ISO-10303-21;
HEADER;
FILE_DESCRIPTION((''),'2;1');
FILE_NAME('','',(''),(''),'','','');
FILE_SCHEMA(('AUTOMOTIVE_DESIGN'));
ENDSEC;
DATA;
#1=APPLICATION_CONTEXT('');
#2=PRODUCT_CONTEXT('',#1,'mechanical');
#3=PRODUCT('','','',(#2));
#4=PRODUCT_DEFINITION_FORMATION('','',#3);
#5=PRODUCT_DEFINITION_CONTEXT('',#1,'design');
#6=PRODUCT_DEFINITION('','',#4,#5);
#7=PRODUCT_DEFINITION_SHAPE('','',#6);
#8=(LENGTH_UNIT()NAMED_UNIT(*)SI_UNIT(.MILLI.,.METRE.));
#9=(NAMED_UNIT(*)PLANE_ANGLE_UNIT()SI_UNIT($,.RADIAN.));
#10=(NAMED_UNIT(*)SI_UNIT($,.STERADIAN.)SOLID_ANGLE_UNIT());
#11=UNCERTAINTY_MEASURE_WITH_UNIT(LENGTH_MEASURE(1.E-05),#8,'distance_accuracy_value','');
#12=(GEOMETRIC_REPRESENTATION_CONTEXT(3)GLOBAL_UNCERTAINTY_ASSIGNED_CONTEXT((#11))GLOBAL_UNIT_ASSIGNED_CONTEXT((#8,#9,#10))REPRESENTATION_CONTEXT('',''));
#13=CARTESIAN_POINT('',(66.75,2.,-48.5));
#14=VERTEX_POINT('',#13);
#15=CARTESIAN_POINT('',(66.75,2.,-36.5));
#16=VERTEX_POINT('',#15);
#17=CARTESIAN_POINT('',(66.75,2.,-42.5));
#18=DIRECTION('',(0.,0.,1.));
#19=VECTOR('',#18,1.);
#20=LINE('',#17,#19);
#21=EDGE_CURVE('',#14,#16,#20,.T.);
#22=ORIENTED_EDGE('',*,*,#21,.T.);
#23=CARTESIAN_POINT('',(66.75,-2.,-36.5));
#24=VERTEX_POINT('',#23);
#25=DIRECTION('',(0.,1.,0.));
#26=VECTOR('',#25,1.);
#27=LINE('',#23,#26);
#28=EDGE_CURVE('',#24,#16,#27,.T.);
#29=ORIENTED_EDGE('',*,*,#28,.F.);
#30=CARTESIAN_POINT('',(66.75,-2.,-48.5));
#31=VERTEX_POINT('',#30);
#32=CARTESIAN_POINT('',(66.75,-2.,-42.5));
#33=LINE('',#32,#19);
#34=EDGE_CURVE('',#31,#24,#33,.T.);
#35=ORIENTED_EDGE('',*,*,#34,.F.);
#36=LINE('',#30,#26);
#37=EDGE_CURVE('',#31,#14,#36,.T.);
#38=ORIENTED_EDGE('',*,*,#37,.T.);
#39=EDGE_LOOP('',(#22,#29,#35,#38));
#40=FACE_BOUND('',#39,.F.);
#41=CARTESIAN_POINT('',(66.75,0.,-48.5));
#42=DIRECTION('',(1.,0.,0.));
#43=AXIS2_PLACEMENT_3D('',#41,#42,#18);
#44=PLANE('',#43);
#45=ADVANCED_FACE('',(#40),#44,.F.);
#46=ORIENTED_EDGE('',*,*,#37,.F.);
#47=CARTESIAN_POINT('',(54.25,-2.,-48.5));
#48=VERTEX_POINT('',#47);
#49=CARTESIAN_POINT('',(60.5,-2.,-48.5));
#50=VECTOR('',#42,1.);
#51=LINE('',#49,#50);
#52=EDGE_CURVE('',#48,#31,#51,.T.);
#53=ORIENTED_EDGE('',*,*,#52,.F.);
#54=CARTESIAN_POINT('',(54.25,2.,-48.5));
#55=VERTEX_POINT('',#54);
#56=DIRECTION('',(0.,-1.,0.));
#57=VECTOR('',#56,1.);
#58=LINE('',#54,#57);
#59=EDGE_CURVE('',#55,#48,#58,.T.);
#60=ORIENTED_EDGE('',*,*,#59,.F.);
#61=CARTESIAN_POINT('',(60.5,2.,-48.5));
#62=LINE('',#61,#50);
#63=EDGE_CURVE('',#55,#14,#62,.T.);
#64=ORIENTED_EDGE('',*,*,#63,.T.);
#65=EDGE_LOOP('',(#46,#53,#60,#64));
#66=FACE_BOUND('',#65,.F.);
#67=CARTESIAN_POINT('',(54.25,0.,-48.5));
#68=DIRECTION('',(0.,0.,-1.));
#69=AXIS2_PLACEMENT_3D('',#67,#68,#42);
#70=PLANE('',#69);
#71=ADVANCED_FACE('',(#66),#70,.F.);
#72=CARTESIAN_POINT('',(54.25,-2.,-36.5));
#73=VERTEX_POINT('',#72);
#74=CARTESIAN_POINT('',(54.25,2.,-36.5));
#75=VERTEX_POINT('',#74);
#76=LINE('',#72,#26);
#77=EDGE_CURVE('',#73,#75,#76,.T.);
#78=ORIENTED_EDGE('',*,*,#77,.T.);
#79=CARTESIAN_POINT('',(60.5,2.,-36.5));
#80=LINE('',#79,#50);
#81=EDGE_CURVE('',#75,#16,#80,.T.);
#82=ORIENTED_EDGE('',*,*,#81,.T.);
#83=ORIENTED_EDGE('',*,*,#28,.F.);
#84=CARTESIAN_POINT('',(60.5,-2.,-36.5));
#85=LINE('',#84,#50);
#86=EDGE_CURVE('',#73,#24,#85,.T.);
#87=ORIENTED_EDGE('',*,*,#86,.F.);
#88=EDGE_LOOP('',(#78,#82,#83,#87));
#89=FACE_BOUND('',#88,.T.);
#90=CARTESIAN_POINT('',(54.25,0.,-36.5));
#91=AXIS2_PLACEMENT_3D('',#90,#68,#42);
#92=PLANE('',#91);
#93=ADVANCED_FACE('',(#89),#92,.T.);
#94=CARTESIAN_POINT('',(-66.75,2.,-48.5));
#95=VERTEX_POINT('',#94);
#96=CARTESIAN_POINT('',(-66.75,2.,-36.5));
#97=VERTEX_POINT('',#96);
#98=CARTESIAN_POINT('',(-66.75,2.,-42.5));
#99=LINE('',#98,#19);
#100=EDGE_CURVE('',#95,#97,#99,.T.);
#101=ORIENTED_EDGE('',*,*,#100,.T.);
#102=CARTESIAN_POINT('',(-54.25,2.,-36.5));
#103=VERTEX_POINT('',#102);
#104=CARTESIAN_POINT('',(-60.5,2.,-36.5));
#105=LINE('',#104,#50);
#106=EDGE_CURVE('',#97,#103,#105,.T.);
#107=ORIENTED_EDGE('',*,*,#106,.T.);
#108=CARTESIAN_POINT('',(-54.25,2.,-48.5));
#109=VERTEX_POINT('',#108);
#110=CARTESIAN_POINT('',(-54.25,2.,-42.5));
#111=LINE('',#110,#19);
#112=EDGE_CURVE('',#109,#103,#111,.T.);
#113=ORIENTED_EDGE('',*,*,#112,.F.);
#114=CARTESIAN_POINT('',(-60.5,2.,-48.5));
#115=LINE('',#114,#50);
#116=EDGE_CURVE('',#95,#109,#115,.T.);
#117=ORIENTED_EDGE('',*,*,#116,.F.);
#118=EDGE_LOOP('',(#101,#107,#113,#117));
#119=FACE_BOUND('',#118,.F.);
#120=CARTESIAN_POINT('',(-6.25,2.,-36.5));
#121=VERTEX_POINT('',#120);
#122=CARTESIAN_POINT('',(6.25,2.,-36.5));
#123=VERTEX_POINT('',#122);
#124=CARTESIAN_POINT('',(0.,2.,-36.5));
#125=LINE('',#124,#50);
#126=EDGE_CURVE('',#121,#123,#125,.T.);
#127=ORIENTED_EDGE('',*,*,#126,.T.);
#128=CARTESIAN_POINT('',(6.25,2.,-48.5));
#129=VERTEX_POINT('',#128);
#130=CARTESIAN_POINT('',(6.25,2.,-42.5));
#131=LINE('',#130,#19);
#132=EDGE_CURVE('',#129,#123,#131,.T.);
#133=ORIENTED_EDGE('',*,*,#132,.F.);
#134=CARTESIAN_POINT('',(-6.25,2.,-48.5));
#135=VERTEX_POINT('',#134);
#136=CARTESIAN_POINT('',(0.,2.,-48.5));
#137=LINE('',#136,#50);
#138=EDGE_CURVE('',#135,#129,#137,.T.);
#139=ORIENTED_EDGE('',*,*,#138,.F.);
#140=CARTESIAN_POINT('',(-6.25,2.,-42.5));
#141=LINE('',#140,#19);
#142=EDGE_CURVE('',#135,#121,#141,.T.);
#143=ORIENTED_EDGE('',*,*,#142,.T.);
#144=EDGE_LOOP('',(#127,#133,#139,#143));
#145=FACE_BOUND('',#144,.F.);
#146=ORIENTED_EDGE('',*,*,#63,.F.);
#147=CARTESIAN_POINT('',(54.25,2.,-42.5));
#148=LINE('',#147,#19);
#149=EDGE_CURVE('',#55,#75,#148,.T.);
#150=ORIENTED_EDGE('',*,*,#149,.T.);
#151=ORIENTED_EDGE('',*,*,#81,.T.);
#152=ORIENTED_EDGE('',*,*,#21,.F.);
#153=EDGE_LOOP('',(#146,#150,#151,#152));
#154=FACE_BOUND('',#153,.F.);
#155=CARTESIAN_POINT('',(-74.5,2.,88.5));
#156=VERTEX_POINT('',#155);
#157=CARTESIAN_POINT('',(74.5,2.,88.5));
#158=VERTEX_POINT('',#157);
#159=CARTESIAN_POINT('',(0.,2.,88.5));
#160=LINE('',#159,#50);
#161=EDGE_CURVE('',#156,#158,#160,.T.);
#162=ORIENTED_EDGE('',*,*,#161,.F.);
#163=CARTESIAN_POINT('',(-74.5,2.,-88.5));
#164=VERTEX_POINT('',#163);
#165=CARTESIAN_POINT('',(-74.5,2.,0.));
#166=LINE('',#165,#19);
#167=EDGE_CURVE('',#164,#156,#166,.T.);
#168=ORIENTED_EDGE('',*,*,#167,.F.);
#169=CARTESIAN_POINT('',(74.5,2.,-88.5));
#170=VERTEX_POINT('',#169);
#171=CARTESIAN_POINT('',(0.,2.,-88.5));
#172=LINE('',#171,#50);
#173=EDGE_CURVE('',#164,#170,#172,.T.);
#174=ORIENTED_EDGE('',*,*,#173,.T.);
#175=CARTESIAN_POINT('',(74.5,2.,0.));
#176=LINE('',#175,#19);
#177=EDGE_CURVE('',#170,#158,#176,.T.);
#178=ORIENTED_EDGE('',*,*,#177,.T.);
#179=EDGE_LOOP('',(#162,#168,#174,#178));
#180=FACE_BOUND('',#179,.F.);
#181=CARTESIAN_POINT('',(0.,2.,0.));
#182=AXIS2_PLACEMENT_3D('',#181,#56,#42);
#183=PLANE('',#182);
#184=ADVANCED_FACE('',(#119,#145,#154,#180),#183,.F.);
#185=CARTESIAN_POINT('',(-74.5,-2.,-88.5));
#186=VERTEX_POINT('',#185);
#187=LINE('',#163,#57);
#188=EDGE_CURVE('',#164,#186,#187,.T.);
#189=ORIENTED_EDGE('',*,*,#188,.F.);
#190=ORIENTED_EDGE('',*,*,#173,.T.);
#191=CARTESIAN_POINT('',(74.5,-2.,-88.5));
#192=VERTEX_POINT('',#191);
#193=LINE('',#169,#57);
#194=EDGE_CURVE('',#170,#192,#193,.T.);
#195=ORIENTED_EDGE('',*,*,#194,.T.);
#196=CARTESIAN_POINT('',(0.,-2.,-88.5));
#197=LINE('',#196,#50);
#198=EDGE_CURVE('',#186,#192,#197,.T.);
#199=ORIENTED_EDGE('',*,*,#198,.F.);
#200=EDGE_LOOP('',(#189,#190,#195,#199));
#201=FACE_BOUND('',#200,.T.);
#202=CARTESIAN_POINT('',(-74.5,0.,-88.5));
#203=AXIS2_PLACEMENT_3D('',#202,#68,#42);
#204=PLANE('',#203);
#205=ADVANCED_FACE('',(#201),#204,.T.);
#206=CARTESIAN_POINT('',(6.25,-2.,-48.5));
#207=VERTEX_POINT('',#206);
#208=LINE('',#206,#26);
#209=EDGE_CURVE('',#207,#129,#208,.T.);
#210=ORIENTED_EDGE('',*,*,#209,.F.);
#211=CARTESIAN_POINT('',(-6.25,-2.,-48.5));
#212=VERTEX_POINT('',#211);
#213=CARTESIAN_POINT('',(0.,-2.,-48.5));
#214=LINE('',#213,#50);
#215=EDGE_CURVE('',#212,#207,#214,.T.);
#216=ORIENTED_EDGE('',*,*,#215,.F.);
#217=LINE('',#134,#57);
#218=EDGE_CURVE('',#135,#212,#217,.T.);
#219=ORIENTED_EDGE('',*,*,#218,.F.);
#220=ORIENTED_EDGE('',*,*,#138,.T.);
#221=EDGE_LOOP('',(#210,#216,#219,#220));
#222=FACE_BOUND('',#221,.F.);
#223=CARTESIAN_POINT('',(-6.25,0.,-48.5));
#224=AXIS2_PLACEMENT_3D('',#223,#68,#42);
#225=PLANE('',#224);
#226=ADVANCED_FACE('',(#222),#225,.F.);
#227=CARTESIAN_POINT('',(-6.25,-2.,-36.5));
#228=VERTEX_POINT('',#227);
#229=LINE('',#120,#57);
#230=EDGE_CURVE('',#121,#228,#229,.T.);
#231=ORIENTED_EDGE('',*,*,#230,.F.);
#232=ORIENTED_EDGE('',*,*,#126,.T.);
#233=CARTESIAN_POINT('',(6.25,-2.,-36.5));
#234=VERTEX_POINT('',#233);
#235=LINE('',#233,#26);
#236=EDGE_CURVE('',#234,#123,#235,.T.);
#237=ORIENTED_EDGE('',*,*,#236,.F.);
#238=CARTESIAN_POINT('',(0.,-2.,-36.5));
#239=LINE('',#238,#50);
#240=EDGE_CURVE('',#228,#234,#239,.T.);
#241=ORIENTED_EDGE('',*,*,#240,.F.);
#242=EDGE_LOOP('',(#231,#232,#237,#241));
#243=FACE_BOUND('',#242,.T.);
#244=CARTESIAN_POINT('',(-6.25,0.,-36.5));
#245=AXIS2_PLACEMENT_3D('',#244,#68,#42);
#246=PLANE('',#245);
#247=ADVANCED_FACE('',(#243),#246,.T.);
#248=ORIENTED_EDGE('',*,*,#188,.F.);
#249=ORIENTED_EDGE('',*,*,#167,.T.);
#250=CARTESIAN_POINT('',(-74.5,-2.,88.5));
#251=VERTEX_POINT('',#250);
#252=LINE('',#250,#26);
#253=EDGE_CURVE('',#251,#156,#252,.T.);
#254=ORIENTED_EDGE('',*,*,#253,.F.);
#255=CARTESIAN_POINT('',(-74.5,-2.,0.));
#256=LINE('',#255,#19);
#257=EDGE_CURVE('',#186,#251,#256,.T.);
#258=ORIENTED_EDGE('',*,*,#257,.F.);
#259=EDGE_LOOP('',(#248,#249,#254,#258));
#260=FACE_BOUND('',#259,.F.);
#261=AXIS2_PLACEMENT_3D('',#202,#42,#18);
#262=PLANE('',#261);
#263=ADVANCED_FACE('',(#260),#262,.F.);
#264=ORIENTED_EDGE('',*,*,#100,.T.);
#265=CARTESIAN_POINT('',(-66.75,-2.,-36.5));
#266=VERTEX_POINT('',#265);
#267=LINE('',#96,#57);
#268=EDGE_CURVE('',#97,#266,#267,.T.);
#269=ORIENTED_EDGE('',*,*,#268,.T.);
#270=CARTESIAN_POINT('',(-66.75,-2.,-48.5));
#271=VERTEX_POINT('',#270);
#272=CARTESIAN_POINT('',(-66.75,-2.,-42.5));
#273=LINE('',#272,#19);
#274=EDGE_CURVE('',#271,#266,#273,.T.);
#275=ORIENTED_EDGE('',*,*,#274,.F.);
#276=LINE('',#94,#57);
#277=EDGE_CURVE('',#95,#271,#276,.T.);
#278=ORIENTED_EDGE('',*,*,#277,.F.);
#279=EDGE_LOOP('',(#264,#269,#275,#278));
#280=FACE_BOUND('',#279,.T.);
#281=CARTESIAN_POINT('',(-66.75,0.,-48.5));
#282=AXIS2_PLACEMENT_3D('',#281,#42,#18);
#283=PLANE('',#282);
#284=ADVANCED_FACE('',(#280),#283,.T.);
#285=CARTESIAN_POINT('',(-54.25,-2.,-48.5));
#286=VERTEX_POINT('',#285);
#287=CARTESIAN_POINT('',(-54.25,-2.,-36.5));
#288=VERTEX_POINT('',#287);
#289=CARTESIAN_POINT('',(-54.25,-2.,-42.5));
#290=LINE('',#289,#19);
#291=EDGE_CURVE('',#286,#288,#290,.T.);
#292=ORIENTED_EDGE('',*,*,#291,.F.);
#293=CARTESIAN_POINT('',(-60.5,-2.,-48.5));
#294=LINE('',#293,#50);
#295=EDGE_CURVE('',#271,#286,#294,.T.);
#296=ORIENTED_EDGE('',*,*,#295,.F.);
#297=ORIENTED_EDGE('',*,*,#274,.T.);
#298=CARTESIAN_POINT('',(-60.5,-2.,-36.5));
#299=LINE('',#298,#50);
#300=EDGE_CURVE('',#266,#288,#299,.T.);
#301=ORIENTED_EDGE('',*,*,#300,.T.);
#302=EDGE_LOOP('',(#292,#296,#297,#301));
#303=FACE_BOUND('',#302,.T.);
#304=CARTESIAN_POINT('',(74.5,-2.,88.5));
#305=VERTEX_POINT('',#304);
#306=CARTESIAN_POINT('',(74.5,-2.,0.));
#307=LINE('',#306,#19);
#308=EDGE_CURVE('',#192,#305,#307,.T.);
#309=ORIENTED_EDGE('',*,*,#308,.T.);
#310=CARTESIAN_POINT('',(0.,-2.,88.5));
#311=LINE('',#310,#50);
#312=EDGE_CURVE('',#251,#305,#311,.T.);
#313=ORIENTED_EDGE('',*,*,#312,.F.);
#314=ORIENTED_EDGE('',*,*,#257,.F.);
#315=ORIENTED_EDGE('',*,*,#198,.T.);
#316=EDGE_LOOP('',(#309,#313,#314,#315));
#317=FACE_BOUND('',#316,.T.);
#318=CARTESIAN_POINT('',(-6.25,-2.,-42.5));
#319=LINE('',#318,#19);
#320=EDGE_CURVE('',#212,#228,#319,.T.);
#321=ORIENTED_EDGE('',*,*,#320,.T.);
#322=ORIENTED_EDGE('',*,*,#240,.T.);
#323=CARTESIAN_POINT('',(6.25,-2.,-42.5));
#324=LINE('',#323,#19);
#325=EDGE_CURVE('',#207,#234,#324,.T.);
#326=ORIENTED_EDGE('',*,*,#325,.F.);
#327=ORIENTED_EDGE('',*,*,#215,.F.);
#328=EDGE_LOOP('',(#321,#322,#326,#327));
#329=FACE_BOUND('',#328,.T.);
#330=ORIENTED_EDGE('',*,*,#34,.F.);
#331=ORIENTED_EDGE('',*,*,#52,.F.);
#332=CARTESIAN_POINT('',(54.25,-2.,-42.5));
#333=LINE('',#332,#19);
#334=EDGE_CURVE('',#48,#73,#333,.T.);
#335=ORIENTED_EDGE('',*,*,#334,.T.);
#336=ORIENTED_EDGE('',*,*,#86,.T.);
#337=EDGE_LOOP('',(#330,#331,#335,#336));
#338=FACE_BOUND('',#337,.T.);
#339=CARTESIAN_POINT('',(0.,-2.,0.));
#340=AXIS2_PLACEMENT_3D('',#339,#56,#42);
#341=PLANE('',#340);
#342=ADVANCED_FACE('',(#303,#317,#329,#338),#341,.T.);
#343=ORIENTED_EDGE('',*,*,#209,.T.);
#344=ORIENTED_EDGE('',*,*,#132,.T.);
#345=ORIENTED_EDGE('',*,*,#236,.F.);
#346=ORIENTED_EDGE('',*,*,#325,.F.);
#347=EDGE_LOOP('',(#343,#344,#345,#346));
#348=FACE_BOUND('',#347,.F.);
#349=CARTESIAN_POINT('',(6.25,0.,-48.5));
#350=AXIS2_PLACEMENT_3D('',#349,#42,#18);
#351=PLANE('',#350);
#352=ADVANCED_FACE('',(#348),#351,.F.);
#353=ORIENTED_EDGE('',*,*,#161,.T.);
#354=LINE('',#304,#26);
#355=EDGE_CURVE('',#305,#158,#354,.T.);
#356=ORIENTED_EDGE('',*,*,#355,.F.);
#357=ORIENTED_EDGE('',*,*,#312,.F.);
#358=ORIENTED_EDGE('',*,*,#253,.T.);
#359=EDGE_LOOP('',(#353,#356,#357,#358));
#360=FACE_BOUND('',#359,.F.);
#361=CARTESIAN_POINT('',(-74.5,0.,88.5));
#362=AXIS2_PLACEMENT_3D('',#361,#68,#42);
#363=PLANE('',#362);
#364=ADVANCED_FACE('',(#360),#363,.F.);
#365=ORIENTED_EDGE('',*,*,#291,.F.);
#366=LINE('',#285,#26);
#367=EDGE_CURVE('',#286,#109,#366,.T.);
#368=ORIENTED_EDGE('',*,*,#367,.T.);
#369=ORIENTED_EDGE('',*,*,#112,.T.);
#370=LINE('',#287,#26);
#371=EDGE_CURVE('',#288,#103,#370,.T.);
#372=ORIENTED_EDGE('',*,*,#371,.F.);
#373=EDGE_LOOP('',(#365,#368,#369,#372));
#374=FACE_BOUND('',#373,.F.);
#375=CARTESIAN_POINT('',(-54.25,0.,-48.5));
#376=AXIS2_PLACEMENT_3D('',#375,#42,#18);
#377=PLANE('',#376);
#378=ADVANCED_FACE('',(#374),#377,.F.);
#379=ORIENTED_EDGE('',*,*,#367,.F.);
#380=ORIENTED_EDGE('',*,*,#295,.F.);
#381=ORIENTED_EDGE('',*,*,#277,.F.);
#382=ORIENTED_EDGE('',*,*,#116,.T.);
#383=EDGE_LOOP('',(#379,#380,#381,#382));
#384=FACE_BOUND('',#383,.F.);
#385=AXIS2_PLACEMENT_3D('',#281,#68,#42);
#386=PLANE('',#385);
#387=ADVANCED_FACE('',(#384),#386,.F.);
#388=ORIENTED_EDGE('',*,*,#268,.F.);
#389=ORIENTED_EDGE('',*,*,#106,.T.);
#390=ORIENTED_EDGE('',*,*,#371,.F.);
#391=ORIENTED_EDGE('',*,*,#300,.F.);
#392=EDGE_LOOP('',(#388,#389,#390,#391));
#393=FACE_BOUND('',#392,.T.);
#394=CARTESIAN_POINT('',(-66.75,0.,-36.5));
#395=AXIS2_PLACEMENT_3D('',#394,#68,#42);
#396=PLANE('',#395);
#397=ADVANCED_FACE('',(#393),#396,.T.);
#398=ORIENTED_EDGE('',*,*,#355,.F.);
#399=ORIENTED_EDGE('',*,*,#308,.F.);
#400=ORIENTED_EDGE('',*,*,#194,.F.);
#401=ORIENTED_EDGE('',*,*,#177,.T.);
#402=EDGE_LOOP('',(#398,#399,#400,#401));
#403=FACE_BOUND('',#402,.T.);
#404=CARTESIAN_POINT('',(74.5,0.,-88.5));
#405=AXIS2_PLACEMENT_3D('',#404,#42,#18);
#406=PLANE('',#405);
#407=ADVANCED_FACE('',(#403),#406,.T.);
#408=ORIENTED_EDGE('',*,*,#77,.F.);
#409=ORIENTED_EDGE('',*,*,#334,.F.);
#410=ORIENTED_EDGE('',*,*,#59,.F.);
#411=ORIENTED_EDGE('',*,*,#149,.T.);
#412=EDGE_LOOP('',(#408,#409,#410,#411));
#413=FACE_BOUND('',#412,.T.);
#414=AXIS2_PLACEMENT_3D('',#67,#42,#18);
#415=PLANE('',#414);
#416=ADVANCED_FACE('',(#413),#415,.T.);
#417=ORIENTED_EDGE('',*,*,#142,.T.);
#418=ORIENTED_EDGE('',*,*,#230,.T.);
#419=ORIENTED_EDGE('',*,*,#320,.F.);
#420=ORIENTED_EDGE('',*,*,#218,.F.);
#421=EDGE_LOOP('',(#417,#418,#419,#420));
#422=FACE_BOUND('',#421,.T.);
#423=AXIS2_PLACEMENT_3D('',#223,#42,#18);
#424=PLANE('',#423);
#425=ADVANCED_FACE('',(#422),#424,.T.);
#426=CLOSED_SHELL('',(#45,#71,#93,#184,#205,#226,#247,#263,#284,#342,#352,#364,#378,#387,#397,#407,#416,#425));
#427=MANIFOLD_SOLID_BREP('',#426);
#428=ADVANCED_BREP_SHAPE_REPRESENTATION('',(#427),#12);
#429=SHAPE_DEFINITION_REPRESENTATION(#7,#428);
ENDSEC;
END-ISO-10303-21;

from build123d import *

# Parameters (mm, degrees)
F0_W          = 149
F0_H          = 177
F0_W_2        = 12.5
F0_H_2        = 12
F1_DEPTH      = 2
F1_DEPTH_BACK = 2


with BuildPart() as f1:
    # F0 (on Front) → F1 (new body, two sides)
    with BuildSketch(Plane.XZ) as f1_sk:
        Rectangle(F0_W, F0_H)
        with Locations((-60.5, -42.5)):
            Rectangle(F0_W_2, F0_H_2, mode=Mode.SUBTRACT)
        with Locations((0, -42.5)):
            Rectangle(F0_W_2, F0_H_2, mode=Mode.SUBTRACT)
        with Locations((60.5, -42.5)):
            Rectangle(F0_W_2, F0_H_2, mode=Mode.SUBTRACT)
    extrude(amount=F1_DEPTH)
    extrude(f1_sk.sketch, amount=-F1_DEPTH_BACK)


solid = f1.part
